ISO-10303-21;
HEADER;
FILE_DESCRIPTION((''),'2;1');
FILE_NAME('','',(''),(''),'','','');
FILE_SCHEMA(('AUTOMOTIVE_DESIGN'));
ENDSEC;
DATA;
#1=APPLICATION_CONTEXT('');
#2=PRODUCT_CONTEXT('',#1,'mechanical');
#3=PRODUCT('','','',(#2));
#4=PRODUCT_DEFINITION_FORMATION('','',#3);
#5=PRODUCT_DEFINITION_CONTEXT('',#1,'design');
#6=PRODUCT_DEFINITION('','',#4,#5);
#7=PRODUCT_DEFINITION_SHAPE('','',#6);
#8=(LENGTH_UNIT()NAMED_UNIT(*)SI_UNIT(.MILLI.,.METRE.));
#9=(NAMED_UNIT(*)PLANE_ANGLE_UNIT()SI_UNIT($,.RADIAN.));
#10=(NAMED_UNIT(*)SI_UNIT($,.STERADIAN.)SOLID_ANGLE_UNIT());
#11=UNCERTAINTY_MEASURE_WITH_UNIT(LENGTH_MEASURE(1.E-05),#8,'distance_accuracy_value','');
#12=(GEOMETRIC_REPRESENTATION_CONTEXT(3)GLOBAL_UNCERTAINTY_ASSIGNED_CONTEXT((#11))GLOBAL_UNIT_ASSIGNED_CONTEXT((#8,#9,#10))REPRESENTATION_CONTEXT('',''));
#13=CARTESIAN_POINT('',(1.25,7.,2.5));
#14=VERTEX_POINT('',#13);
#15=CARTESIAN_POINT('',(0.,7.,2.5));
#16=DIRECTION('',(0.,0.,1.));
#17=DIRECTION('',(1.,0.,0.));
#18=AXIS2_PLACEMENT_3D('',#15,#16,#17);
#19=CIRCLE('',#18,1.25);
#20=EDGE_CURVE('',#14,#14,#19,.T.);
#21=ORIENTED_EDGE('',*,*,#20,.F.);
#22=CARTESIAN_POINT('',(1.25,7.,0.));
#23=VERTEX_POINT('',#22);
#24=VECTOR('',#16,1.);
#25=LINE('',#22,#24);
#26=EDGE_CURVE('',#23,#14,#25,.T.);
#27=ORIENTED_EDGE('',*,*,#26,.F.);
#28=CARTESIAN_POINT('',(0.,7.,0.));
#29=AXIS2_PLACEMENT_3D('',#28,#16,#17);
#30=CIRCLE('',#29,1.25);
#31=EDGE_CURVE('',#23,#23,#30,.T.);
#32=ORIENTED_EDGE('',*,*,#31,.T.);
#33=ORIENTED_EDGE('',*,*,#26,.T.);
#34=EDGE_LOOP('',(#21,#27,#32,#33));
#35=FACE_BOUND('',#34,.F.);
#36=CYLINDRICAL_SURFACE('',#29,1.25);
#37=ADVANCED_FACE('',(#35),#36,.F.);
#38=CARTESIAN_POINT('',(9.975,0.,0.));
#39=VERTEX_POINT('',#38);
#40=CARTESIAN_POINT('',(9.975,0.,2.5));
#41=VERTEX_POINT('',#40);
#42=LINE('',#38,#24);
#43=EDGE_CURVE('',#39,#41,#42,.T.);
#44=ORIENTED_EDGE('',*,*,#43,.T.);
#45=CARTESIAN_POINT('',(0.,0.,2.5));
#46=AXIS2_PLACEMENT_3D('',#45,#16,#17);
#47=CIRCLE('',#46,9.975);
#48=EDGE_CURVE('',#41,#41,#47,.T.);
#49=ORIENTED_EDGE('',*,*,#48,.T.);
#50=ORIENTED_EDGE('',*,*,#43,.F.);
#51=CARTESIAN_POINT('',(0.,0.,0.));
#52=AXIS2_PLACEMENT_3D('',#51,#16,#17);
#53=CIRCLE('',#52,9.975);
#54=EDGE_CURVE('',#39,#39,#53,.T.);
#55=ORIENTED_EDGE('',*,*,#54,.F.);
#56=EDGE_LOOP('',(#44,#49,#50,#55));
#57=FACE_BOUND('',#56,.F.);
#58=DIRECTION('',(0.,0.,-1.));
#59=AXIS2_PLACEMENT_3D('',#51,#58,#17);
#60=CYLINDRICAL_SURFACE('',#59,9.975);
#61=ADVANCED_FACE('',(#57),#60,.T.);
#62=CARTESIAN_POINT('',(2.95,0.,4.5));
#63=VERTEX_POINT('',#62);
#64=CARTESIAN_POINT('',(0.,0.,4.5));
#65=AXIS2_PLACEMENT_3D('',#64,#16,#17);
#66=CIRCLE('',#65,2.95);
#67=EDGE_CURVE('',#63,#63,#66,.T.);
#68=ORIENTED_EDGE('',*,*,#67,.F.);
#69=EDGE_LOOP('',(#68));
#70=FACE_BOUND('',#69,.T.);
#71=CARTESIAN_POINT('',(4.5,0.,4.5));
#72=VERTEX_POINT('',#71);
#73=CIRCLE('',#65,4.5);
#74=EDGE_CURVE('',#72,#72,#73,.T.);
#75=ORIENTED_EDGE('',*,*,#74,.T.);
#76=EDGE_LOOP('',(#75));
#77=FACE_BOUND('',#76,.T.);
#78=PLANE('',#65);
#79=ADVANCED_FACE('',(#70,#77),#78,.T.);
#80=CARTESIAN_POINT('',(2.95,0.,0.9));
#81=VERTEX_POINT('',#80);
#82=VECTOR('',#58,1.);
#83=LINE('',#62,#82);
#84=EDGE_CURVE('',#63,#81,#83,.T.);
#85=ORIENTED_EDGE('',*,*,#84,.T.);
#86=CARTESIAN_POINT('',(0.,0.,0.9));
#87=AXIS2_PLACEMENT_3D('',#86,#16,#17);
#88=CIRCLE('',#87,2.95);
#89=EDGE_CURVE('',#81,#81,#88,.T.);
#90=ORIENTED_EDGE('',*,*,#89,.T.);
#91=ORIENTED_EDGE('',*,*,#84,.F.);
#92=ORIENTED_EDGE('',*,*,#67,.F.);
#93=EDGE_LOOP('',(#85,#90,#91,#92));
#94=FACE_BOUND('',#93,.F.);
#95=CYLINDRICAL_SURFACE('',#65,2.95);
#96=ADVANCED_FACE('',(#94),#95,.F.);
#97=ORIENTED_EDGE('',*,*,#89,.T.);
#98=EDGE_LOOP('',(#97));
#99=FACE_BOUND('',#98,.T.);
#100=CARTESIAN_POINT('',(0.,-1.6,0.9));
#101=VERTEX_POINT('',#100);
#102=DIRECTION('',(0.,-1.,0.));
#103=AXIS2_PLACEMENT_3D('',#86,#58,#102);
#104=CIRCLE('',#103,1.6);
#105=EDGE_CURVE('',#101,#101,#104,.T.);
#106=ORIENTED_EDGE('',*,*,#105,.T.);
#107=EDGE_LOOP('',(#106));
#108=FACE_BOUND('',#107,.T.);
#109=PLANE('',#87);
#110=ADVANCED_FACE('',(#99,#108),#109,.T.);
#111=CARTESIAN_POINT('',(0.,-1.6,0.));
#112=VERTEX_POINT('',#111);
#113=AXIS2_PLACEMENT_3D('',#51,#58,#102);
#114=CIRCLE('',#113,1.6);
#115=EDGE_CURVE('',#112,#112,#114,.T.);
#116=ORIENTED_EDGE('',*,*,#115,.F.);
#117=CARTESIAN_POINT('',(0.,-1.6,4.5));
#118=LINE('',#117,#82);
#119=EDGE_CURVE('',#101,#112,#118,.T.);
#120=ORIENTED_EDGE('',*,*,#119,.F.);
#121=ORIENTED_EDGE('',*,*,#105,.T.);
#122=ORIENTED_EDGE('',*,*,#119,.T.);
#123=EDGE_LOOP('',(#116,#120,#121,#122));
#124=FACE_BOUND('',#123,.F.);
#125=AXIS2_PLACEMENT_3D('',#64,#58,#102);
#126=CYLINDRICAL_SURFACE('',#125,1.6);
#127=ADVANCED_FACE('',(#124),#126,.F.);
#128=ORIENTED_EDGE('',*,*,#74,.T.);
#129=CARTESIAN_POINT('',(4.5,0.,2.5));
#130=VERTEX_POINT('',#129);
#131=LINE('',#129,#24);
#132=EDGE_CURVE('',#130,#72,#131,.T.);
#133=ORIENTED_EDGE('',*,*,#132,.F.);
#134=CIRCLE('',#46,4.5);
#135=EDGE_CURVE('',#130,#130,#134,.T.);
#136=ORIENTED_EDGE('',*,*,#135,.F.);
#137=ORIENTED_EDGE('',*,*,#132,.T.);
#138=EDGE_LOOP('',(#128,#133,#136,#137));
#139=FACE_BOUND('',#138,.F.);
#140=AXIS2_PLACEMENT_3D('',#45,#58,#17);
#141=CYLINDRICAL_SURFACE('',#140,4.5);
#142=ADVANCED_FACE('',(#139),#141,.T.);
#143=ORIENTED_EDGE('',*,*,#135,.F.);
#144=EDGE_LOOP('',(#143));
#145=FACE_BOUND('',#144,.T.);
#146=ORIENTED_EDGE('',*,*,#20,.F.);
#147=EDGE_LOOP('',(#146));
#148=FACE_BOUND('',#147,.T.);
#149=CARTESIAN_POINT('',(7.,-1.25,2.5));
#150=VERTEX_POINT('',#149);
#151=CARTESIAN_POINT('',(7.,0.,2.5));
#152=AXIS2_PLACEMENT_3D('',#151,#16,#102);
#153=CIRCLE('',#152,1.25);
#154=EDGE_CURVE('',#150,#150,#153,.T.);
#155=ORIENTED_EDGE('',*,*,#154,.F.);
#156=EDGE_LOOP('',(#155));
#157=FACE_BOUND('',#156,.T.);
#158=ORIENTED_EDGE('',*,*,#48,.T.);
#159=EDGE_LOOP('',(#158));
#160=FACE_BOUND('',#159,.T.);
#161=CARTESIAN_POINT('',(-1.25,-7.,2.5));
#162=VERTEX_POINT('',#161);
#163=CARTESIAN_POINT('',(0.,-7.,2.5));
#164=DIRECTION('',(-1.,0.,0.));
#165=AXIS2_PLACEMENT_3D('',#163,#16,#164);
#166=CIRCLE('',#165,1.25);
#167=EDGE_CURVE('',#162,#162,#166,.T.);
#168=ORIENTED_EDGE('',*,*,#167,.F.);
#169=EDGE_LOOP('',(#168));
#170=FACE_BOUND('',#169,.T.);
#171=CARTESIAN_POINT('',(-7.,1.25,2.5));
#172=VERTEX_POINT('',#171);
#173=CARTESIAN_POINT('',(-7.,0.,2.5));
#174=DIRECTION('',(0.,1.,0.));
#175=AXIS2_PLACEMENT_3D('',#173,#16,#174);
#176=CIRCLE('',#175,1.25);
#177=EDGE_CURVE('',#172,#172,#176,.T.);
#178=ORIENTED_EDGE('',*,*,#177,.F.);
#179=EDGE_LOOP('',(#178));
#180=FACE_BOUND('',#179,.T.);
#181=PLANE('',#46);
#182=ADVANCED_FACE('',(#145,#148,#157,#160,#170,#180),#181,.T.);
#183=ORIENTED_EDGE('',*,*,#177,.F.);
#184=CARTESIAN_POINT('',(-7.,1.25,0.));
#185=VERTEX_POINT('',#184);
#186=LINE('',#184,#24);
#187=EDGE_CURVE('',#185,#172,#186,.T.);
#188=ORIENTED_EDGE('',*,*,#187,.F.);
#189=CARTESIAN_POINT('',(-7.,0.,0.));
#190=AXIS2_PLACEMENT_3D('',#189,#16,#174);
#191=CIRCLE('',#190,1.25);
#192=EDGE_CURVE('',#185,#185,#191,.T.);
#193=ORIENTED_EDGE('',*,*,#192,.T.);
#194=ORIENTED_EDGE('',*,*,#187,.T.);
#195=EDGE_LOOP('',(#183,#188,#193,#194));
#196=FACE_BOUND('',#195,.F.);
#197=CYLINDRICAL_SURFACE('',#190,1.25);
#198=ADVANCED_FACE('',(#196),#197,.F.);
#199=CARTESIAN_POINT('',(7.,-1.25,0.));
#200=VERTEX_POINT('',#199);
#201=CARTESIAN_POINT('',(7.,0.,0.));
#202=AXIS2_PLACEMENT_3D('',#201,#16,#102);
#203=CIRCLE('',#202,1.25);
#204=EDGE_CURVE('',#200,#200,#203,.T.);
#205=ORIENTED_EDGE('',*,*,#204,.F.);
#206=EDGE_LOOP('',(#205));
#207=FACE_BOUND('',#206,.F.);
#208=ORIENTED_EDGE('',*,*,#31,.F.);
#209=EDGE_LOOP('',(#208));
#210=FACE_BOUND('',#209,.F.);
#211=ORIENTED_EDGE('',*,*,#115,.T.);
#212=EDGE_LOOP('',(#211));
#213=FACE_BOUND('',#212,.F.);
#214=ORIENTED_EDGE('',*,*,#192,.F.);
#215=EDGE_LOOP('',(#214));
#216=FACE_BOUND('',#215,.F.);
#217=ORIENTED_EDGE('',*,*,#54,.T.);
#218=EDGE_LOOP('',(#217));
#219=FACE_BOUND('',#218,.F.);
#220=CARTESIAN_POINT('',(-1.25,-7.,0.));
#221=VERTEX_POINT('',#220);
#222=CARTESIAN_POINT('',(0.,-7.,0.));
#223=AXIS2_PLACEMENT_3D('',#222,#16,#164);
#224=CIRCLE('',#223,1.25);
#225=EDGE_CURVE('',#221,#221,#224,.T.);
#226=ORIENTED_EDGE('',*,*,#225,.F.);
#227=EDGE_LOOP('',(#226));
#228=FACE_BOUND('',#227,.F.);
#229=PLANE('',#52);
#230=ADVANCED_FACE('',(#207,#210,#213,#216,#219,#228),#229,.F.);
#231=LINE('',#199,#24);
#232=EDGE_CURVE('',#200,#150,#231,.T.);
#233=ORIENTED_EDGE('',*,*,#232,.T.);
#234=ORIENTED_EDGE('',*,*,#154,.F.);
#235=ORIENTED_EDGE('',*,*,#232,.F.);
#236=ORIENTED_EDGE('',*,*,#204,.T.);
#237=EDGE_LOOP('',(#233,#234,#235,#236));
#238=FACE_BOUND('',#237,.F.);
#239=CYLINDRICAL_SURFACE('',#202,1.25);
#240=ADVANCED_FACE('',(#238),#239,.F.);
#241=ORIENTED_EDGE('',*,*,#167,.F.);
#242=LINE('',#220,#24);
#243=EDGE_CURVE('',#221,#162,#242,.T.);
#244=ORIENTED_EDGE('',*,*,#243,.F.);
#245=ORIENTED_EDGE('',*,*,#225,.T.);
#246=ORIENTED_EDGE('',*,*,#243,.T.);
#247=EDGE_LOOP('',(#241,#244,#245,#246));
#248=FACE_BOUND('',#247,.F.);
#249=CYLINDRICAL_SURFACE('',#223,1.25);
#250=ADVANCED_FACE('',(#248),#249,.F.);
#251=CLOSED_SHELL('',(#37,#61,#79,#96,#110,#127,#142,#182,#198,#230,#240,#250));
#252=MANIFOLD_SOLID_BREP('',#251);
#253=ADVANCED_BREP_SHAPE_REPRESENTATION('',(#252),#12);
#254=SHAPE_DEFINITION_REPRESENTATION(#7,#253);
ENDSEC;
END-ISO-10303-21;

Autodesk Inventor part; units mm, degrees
ref_plane "YZ Plane" through (0, 0, 0) normal (1, 0, 0) x (0, 1, 0)
ref_plane "XZ Plane" through (0, 0, 0) normal (0, 1, 0) x (-1, 0, 0)
ref_plane "XY Plane" through (0, 0, 0) normal (0, 0, 1) x (1, 0, 0)
sketch "スケッチ1" plane through (0, 0, 0) normal (0, 0, 1) x (1, 0, 0)
  circle A0 centre (0, 0) radius 9.975
  dimension "d0" = 19.95
extrude "押し出し1" add sketch "スケッチ1" along normal blind 2.5
sketch "スケッチ2" plane through (0, 0, 2.5) normal (0, 0, 1) x (1, 0, 0)
  circle A0 centre (0, 0) radius 4.5
  dimension "d3" = 9
extrude "押し出し2" add sketch "スケッチ2" along normal blind 2
sketch "スケッチ3" plane through (0, 0, 4.5) normal (0, 0, 1) x (1, 0, 0)
  point P0 (0, 0)
  point P1 (0, 0)
hole "穴1" at (0, 0, 4.5) direction (0, 0, -1) diameter 3.2 end through all
sketch "スケッチ4" plane through (0, 0, 0) normal (0, 0, -1) x (-1, 0, 0)
  circle A0 centre (0, 0) radius 1.6 construction
  circle A1 centre (0, 0) radius 7 construction
  point P0 (7, 0)
  dimension "d13" = 14
hole "穴2" at (-7, 0, 0) direction (0, 0, 1) diameter 2.5 end through all
thread "ねじ1" size "M3x0.5" class "6H" standard "ISO Metric profile" full length
pattern_circular "円形状パターン1" count 4 over 360 about axis through (0, 0, -10) along (0, 0, 1) of "穴2"
sketch "スケッチ5" plane through (0, 0, 4.5) normal (0, 0, 1) x (1, 0, 0)
  circle A0 centre (0, 0) radius 2.95
  dimension "d26" = 5.9
extrude "押し出し3" cut sketch "スケッチ5" against normal blind 3.6
properties part number "feetech_servo-hone"
